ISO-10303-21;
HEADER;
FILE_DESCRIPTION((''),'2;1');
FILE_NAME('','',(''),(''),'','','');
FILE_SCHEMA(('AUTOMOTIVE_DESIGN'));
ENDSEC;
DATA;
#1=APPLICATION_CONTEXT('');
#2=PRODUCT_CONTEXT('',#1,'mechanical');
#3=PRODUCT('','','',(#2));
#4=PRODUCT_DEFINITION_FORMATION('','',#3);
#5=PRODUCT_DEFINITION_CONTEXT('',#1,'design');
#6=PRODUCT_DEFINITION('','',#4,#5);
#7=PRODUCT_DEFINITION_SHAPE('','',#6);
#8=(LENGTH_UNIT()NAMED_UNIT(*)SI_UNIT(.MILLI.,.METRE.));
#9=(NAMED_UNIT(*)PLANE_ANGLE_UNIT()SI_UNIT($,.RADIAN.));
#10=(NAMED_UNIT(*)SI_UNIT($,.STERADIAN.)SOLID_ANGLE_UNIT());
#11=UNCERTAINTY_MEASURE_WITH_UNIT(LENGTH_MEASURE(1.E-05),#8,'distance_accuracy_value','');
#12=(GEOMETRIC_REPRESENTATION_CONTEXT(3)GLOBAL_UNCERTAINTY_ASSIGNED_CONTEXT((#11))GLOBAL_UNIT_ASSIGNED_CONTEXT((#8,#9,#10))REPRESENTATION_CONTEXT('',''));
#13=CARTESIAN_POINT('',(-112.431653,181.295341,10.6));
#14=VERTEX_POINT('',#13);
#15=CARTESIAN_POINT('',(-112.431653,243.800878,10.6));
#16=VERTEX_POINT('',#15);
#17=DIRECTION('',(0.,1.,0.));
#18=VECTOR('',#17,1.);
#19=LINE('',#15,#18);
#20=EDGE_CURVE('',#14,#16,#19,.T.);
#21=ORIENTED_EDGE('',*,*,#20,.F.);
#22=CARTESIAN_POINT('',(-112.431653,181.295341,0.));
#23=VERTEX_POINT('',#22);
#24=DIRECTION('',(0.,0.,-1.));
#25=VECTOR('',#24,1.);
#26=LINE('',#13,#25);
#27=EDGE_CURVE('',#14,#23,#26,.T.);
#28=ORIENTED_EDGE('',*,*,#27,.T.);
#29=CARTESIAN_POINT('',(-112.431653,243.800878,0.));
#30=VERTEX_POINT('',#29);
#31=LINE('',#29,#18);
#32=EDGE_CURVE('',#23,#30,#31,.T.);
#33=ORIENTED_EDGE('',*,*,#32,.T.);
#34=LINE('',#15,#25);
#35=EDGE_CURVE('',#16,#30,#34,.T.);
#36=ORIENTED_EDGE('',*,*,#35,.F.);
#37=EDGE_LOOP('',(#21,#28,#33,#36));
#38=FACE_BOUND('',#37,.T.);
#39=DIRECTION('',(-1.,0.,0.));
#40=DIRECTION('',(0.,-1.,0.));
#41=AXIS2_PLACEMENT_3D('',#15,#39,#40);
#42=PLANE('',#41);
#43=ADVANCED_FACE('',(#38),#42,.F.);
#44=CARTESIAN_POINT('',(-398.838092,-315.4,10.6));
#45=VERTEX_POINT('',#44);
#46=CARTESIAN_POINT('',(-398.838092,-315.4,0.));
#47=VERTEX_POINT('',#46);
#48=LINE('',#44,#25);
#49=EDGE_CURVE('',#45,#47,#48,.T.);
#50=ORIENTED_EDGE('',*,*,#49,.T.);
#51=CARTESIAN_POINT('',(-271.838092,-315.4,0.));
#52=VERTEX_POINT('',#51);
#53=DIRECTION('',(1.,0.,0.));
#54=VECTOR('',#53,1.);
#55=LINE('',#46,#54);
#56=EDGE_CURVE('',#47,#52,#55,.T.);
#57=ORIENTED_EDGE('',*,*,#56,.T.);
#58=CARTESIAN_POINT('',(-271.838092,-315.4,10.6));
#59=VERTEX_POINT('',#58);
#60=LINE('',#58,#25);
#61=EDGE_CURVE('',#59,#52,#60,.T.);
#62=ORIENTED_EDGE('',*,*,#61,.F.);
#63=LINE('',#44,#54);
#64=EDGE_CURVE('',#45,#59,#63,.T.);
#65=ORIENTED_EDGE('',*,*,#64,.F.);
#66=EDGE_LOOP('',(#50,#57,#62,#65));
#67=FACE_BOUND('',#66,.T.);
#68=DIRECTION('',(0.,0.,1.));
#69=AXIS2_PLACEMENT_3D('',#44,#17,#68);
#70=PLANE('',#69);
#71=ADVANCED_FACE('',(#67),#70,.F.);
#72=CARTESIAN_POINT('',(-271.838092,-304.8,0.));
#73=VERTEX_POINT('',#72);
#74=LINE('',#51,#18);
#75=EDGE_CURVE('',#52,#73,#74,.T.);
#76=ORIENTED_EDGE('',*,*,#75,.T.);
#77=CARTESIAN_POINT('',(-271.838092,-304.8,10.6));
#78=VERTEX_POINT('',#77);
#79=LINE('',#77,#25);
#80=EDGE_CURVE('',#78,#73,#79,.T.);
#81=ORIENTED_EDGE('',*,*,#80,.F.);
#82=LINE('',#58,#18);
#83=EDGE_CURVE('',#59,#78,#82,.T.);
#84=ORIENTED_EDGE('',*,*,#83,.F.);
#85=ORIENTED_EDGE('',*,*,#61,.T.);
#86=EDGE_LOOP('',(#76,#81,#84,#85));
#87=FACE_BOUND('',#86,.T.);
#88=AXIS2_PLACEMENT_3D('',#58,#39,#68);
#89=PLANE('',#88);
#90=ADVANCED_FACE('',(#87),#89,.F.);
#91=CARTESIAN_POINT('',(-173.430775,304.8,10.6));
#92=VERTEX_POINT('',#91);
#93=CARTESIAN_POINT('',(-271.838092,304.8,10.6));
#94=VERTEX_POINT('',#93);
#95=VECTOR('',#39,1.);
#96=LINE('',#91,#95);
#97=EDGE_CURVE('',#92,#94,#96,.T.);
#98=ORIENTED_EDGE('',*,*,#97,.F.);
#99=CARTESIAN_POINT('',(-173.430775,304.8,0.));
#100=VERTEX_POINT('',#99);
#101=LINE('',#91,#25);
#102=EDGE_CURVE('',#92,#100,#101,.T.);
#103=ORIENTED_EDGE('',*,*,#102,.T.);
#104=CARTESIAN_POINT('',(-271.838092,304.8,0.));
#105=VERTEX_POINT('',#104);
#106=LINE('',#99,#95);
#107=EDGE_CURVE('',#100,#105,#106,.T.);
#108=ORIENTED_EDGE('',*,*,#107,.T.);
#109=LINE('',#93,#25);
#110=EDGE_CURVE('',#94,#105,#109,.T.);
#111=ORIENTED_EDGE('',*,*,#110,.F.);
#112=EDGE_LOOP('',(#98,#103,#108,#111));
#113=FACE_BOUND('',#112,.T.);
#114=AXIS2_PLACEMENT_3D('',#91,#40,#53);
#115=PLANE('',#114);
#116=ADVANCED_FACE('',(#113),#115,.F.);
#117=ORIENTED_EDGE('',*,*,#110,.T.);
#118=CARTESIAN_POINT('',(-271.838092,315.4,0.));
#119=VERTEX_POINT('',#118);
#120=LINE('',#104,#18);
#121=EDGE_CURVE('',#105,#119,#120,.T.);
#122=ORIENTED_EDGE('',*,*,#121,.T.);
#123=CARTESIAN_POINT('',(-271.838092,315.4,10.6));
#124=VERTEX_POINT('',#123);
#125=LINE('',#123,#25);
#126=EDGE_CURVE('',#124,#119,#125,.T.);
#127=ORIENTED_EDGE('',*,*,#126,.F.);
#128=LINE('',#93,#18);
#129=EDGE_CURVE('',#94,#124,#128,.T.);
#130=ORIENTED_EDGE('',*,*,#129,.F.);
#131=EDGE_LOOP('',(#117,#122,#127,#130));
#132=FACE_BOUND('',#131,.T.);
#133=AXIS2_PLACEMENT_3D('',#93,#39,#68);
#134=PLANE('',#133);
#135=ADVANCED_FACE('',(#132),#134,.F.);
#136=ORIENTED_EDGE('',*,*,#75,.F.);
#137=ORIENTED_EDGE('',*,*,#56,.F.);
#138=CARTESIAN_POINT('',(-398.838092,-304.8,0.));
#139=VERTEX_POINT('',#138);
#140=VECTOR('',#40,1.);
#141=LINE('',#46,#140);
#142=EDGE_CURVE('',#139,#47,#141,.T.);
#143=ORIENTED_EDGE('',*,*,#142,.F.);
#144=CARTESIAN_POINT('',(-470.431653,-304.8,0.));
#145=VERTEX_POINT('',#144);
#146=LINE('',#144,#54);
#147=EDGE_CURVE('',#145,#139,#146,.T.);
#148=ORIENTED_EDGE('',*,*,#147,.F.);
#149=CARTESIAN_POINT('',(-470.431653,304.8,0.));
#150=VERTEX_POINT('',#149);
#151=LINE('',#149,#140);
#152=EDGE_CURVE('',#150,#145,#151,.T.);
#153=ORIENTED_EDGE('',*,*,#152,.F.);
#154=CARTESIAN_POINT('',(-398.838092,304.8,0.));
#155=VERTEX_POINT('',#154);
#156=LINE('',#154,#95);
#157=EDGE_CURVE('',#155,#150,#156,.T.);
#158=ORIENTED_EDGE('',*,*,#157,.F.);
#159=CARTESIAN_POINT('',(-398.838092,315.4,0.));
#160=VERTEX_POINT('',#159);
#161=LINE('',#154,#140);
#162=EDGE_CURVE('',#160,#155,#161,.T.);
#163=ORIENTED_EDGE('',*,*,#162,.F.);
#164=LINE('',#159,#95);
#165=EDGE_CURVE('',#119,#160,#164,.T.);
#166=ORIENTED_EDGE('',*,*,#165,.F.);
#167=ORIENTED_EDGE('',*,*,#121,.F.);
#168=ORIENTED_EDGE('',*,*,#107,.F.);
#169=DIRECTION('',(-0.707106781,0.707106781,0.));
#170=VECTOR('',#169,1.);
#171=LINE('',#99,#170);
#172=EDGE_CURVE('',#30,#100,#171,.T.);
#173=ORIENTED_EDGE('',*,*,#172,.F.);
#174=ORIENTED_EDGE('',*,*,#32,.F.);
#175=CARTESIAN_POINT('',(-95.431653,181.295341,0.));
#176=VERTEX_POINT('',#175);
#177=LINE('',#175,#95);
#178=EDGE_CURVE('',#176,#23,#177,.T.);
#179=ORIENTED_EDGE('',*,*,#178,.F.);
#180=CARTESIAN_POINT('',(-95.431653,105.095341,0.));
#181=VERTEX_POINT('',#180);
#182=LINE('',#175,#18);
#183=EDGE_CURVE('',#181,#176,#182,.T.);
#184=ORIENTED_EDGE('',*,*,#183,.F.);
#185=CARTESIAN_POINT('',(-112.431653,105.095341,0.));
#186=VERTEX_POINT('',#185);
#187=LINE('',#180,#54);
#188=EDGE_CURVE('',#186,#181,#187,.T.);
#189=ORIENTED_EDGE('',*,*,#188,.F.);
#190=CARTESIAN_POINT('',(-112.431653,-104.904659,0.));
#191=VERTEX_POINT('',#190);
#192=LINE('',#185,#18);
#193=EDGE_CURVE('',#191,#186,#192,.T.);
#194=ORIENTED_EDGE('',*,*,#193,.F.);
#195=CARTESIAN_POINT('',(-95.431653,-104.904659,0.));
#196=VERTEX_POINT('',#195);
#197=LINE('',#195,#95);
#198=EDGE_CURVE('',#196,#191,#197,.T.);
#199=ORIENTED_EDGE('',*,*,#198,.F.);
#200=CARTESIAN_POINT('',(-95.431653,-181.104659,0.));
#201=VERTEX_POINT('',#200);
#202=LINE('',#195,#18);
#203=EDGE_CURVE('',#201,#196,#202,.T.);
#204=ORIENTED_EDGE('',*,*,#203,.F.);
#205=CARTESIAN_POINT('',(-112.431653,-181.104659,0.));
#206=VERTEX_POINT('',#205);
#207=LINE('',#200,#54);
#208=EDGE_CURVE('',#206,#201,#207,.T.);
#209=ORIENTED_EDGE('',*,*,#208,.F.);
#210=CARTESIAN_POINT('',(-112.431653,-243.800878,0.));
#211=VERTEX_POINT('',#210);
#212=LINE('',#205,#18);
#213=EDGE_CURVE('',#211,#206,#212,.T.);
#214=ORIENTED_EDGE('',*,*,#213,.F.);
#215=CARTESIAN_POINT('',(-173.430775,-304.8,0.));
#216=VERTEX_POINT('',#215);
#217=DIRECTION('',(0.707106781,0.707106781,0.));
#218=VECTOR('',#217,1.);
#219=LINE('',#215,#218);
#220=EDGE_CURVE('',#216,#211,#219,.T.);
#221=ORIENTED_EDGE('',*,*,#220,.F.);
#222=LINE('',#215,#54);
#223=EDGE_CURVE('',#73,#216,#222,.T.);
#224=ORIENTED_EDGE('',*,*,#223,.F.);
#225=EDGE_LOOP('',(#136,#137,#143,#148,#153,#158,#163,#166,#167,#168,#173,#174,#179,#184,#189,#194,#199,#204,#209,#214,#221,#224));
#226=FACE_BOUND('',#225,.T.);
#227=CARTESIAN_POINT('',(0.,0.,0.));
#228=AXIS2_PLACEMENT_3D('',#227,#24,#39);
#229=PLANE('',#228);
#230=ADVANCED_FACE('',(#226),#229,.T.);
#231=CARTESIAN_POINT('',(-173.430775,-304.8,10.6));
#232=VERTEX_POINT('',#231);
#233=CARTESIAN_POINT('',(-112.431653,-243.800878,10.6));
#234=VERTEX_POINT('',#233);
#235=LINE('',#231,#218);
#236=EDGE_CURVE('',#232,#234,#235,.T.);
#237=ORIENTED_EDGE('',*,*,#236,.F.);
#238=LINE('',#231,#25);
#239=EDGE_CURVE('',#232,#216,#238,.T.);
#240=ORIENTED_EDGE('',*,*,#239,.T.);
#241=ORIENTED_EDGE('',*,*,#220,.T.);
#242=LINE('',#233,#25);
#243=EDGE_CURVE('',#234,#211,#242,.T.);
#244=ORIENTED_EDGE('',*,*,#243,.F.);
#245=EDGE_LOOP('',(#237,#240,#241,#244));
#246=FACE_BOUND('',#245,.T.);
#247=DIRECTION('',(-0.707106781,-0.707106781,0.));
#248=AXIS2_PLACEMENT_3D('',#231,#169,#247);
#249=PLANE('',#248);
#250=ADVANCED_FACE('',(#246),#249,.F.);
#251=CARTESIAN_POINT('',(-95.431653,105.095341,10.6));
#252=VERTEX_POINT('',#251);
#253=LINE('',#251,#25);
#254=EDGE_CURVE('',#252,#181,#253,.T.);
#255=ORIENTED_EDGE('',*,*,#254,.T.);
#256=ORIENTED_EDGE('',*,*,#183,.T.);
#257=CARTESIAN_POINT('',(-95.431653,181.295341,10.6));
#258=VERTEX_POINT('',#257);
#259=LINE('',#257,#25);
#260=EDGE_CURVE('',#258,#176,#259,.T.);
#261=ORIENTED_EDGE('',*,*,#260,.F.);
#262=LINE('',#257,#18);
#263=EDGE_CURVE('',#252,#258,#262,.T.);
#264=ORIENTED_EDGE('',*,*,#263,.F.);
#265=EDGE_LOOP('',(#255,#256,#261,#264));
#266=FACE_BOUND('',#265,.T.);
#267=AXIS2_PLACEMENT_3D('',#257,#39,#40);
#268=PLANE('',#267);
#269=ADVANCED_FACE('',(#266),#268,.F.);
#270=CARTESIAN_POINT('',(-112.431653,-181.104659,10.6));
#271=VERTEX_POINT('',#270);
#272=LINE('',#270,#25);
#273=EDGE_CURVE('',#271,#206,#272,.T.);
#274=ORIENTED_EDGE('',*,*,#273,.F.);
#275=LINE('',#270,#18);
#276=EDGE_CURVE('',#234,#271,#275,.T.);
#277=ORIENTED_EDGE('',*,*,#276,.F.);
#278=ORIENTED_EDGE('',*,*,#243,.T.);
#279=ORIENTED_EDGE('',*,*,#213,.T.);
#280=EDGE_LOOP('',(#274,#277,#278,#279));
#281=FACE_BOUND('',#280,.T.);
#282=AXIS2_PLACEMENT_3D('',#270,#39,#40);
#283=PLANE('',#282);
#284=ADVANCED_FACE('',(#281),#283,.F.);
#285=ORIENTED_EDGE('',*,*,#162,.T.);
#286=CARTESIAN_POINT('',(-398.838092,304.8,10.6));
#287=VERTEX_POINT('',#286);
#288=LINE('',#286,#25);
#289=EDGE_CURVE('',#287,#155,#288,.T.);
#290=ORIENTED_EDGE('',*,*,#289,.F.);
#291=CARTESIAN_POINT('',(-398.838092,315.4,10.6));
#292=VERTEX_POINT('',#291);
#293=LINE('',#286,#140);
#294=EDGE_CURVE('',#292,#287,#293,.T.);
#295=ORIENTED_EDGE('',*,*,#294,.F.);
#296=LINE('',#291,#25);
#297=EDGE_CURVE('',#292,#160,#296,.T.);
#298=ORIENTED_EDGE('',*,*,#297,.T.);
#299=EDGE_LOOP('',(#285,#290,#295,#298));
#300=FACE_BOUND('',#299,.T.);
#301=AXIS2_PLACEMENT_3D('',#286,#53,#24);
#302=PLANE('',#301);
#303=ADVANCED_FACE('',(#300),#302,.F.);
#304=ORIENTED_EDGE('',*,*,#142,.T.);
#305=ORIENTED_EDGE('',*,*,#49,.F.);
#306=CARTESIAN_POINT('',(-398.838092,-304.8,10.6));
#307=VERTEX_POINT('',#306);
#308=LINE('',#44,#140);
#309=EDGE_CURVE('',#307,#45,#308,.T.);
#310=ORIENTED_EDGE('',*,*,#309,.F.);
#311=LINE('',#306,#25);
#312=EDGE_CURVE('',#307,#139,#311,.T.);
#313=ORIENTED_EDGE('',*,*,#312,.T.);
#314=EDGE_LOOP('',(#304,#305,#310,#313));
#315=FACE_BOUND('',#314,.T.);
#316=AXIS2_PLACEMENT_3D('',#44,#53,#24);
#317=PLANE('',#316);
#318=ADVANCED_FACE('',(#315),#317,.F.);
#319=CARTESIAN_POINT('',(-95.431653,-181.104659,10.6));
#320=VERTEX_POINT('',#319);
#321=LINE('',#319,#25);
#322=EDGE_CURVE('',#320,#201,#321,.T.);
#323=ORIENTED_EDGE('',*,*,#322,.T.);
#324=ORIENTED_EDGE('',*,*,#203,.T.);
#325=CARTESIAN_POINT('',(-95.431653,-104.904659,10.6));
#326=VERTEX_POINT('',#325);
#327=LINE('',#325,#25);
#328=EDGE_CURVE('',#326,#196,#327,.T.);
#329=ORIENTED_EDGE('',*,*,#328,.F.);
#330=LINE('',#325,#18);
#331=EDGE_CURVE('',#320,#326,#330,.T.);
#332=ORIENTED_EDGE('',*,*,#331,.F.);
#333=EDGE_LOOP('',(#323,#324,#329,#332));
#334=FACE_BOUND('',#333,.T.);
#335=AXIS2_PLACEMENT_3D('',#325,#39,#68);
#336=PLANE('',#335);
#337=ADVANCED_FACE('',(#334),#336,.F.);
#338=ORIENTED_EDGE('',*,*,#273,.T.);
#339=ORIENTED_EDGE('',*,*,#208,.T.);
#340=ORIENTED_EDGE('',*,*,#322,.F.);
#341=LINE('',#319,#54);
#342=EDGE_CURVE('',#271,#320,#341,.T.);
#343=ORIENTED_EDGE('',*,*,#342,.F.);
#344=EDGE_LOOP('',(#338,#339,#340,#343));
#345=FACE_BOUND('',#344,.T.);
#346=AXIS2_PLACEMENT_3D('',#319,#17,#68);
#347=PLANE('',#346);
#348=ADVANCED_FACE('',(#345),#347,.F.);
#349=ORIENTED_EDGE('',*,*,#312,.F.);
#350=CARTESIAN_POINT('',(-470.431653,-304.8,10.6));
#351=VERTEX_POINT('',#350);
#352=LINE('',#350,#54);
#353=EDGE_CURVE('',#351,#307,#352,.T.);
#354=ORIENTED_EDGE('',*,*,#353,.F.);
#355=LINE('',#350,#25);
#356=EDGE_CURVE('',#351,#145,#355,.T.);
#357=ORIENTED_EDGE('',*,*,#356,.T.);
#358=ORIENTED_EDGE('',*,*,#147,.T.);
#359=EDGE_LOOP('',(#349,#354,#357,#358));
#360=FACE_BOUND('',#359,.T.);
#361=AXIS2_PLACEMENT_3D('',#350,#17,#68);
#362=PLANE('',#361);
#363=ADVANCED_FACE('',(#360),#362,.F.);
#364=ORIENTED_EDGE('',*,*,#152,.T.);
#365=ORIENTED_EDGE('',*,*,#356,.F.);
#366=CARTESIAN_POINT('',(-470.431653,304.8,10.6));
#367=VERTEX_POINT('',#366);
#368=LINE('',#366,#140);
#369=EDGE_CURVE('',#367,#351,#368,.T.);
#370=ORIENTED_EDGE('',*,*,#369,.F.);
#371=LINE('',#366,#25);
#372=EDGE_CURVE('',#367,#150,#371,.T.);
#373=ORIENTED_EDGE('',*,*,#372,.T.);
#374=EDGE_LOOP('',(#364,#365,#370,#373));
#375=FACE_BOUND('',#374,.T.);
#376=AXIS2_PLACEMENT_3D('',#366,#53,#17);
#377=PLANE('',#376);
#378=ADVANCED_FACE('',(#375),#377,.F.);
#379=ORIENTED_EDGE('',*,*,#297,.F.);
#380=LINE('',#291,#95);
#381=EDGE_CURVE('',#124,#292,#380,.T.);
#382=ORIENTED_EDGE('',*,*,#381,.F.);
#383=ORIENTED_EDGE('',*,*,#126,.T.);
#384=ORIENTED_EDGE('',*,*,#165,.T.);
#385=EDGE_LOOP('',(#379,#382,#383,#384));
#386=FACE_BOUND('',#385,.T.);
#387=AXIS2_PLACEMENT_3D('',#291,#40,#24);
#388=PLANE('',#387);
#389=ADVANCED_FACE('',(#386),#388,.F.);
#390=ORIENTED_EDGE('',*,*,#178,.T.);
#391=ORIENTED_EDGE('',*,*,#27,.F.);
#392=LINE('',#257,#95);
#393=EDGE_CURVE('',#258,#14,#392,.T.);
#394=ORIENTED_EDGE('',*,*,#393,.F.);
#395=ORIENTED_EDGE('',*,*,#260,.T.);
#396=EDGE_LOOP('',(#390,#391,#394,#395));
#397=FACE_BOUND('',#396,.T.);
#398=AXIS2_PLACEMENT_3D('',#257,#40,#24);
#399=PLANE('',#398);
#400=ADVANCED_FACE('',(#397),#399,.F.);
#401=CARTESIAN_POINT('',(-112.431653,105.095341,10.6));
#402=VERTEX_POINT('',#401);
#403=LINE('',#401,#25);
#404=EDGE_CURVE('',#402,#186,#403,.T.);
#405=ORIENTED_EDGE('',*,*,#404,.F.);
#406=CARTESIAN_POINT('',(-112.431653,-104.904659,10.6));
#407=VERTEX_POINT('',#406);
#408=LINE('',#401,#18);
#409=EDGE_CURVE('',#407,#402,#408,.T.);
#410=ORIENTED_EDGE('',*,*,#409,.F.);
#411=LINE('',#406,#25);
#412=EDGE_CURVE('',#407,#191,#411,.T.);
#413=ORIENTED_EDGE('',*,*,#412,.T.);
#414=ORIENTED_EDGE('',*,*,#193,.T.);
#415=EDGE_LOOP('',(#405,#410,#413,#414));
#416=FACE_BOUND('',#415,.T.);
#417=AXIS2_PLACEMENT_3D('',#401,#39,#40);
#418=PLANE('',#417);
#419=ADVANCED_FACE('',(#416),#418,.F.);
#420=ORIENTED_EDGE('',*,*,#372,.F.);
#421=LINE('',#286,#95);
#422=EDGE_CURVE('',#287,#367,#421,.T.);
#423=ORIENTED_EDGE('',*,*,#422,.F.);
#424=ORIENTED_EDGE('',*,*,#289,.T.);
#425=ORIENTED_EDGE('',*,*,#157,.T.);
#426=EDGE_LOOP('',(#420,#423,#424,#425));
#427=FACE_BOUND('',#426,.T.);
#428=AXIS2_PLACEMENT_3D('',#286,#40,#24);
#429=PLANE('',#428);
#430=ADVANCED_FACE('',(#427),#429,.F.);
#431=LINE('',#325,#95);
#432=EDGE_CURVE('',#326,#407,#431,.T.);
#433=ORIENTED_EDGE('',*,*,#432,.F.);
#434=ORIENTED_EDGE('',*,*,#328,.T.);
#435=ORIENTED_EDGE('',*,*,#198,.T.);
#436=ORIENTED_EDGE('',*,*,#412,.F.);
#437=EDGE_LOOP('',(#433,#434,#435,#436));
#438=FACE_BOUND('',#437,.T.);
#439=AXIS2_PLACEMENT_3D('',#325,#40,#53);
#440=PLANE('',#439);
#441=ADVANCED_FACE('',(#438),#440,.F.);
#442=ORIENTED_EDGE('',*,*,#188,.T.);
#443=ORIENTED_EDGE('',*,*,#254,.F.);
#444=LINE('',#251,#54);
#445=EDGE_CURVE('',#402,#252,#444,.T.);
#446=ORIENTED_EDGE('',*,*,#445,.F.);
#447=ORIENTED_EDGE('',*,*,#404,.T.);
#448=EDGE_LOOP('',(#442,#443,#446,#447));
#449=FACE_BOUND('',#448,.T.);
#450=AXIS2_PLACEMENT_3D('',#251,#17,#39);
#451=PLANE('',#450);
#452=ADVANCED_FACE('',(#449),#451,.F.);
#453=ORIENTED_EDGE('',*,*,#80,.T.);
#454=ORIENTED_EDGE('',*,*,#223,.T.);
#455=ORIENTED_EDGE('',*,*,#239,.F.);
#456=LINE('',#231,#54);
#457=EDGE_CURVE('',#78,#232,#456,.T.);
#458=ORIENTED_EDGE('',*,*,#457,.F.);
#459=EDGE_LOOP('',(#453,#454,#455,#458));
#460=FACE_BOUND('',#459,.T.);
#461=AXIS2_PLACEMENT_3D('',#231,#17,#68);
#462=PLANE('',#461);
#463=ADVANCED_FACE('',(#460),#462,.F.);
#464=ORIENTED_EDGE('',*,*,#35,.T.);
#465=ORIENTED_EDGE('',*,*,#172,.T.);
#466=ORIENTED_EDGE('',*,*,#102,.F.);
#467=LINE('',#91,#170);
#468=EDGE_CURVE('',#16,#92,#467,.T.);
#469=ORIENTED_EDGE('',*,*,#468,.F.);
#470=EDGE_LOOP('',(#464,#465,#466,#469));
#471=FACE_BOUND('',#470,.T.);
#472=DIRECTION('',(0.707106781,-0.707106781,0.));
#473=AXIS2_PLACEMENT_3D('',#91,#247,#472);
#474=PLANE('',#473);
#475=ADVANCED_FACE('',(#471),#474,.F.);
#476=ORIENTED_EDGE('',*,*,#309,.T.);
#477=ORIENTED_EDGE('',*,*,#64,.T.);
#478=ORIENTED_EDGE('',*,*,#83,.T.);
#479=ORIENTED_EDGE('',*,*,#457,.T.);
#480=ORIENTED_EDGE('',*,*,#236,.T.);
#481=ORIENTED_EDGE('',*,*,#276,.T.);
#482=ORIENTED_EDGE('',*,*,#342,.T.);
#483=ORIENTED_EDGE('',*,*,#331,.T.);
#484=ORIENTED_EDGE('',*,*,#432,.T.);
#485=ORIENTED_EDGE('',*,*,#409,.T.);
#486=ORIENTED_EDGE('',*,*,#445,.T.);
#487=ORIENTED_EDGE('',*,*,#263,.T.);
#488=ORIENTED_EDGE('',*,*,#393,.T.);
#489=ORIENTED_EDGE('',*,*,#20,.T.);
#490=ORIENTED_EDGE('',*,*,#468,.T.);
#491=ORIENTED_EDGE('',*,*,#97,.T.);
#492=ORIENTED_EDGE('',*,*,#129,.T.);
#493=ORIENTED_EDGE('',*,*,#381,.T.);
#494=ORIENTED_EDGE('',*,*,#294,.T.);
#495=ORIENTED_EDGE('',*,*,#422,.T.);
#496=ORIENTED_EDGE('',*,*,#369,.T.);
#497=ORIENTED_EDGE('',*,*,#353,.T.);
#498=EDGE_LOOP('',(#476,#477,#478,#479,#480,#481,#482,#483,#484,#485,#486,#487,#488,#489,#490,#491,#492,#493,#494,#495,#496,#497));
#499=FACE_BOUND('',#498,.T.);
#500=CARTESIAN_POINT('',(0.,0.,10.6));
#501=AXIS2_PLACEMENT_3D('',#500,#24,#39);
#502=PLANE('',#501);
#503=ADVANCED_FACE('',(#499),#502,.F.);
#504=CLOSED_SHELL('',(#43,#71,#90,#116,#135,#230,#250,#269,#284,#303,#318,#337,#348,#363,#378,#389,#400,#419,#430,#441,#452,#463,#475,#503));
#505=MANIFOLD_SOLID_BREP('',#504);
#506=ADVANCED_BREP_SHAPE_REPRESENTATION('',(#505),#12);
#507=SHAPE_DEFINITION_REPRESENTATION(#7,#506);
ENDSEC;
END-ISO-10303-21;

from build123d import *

# Parameters (mm, degrees)
BOSS_EXTRUDE1_DEPTH = 10.6


with BuildPart() as part:
    # Sketch1 → Boss-Extrude1 (new body)
    with BuildSketch(Plane.XY):
        Polygon((-398.83809218, -315.4), (-271.83809218, -315.4), (-271.83809218, -304.8), (-173.430774761, -304.8), (-112.431652929, -243.800878167), (-112.431652929, -181.104658845), (-95.431652929, -181.104658845), (-95.431652929, -104.904658845), (-112.431652929, -104.904658845), (-112.431652929, 105.095341155), (-95.431652929, 105.095341155), (-95.431652929, 181.295341155), (-112.431652929, 181.295341155), (-112.431652929, 243.800878167), (-173.430774761, 304.8), (-271.83809218, 304.8), (-271.83809218, 315.4), (-398.83809218, 315.4), (-398.83809218, 304.8), (-470.431652929, 304.8), (-470.431652929, -304.8), (-398.83809218, -304.8), align=None)
    extrude(amount=BOSS_EXTRUDE1_DEPTH)


solid = part.part
